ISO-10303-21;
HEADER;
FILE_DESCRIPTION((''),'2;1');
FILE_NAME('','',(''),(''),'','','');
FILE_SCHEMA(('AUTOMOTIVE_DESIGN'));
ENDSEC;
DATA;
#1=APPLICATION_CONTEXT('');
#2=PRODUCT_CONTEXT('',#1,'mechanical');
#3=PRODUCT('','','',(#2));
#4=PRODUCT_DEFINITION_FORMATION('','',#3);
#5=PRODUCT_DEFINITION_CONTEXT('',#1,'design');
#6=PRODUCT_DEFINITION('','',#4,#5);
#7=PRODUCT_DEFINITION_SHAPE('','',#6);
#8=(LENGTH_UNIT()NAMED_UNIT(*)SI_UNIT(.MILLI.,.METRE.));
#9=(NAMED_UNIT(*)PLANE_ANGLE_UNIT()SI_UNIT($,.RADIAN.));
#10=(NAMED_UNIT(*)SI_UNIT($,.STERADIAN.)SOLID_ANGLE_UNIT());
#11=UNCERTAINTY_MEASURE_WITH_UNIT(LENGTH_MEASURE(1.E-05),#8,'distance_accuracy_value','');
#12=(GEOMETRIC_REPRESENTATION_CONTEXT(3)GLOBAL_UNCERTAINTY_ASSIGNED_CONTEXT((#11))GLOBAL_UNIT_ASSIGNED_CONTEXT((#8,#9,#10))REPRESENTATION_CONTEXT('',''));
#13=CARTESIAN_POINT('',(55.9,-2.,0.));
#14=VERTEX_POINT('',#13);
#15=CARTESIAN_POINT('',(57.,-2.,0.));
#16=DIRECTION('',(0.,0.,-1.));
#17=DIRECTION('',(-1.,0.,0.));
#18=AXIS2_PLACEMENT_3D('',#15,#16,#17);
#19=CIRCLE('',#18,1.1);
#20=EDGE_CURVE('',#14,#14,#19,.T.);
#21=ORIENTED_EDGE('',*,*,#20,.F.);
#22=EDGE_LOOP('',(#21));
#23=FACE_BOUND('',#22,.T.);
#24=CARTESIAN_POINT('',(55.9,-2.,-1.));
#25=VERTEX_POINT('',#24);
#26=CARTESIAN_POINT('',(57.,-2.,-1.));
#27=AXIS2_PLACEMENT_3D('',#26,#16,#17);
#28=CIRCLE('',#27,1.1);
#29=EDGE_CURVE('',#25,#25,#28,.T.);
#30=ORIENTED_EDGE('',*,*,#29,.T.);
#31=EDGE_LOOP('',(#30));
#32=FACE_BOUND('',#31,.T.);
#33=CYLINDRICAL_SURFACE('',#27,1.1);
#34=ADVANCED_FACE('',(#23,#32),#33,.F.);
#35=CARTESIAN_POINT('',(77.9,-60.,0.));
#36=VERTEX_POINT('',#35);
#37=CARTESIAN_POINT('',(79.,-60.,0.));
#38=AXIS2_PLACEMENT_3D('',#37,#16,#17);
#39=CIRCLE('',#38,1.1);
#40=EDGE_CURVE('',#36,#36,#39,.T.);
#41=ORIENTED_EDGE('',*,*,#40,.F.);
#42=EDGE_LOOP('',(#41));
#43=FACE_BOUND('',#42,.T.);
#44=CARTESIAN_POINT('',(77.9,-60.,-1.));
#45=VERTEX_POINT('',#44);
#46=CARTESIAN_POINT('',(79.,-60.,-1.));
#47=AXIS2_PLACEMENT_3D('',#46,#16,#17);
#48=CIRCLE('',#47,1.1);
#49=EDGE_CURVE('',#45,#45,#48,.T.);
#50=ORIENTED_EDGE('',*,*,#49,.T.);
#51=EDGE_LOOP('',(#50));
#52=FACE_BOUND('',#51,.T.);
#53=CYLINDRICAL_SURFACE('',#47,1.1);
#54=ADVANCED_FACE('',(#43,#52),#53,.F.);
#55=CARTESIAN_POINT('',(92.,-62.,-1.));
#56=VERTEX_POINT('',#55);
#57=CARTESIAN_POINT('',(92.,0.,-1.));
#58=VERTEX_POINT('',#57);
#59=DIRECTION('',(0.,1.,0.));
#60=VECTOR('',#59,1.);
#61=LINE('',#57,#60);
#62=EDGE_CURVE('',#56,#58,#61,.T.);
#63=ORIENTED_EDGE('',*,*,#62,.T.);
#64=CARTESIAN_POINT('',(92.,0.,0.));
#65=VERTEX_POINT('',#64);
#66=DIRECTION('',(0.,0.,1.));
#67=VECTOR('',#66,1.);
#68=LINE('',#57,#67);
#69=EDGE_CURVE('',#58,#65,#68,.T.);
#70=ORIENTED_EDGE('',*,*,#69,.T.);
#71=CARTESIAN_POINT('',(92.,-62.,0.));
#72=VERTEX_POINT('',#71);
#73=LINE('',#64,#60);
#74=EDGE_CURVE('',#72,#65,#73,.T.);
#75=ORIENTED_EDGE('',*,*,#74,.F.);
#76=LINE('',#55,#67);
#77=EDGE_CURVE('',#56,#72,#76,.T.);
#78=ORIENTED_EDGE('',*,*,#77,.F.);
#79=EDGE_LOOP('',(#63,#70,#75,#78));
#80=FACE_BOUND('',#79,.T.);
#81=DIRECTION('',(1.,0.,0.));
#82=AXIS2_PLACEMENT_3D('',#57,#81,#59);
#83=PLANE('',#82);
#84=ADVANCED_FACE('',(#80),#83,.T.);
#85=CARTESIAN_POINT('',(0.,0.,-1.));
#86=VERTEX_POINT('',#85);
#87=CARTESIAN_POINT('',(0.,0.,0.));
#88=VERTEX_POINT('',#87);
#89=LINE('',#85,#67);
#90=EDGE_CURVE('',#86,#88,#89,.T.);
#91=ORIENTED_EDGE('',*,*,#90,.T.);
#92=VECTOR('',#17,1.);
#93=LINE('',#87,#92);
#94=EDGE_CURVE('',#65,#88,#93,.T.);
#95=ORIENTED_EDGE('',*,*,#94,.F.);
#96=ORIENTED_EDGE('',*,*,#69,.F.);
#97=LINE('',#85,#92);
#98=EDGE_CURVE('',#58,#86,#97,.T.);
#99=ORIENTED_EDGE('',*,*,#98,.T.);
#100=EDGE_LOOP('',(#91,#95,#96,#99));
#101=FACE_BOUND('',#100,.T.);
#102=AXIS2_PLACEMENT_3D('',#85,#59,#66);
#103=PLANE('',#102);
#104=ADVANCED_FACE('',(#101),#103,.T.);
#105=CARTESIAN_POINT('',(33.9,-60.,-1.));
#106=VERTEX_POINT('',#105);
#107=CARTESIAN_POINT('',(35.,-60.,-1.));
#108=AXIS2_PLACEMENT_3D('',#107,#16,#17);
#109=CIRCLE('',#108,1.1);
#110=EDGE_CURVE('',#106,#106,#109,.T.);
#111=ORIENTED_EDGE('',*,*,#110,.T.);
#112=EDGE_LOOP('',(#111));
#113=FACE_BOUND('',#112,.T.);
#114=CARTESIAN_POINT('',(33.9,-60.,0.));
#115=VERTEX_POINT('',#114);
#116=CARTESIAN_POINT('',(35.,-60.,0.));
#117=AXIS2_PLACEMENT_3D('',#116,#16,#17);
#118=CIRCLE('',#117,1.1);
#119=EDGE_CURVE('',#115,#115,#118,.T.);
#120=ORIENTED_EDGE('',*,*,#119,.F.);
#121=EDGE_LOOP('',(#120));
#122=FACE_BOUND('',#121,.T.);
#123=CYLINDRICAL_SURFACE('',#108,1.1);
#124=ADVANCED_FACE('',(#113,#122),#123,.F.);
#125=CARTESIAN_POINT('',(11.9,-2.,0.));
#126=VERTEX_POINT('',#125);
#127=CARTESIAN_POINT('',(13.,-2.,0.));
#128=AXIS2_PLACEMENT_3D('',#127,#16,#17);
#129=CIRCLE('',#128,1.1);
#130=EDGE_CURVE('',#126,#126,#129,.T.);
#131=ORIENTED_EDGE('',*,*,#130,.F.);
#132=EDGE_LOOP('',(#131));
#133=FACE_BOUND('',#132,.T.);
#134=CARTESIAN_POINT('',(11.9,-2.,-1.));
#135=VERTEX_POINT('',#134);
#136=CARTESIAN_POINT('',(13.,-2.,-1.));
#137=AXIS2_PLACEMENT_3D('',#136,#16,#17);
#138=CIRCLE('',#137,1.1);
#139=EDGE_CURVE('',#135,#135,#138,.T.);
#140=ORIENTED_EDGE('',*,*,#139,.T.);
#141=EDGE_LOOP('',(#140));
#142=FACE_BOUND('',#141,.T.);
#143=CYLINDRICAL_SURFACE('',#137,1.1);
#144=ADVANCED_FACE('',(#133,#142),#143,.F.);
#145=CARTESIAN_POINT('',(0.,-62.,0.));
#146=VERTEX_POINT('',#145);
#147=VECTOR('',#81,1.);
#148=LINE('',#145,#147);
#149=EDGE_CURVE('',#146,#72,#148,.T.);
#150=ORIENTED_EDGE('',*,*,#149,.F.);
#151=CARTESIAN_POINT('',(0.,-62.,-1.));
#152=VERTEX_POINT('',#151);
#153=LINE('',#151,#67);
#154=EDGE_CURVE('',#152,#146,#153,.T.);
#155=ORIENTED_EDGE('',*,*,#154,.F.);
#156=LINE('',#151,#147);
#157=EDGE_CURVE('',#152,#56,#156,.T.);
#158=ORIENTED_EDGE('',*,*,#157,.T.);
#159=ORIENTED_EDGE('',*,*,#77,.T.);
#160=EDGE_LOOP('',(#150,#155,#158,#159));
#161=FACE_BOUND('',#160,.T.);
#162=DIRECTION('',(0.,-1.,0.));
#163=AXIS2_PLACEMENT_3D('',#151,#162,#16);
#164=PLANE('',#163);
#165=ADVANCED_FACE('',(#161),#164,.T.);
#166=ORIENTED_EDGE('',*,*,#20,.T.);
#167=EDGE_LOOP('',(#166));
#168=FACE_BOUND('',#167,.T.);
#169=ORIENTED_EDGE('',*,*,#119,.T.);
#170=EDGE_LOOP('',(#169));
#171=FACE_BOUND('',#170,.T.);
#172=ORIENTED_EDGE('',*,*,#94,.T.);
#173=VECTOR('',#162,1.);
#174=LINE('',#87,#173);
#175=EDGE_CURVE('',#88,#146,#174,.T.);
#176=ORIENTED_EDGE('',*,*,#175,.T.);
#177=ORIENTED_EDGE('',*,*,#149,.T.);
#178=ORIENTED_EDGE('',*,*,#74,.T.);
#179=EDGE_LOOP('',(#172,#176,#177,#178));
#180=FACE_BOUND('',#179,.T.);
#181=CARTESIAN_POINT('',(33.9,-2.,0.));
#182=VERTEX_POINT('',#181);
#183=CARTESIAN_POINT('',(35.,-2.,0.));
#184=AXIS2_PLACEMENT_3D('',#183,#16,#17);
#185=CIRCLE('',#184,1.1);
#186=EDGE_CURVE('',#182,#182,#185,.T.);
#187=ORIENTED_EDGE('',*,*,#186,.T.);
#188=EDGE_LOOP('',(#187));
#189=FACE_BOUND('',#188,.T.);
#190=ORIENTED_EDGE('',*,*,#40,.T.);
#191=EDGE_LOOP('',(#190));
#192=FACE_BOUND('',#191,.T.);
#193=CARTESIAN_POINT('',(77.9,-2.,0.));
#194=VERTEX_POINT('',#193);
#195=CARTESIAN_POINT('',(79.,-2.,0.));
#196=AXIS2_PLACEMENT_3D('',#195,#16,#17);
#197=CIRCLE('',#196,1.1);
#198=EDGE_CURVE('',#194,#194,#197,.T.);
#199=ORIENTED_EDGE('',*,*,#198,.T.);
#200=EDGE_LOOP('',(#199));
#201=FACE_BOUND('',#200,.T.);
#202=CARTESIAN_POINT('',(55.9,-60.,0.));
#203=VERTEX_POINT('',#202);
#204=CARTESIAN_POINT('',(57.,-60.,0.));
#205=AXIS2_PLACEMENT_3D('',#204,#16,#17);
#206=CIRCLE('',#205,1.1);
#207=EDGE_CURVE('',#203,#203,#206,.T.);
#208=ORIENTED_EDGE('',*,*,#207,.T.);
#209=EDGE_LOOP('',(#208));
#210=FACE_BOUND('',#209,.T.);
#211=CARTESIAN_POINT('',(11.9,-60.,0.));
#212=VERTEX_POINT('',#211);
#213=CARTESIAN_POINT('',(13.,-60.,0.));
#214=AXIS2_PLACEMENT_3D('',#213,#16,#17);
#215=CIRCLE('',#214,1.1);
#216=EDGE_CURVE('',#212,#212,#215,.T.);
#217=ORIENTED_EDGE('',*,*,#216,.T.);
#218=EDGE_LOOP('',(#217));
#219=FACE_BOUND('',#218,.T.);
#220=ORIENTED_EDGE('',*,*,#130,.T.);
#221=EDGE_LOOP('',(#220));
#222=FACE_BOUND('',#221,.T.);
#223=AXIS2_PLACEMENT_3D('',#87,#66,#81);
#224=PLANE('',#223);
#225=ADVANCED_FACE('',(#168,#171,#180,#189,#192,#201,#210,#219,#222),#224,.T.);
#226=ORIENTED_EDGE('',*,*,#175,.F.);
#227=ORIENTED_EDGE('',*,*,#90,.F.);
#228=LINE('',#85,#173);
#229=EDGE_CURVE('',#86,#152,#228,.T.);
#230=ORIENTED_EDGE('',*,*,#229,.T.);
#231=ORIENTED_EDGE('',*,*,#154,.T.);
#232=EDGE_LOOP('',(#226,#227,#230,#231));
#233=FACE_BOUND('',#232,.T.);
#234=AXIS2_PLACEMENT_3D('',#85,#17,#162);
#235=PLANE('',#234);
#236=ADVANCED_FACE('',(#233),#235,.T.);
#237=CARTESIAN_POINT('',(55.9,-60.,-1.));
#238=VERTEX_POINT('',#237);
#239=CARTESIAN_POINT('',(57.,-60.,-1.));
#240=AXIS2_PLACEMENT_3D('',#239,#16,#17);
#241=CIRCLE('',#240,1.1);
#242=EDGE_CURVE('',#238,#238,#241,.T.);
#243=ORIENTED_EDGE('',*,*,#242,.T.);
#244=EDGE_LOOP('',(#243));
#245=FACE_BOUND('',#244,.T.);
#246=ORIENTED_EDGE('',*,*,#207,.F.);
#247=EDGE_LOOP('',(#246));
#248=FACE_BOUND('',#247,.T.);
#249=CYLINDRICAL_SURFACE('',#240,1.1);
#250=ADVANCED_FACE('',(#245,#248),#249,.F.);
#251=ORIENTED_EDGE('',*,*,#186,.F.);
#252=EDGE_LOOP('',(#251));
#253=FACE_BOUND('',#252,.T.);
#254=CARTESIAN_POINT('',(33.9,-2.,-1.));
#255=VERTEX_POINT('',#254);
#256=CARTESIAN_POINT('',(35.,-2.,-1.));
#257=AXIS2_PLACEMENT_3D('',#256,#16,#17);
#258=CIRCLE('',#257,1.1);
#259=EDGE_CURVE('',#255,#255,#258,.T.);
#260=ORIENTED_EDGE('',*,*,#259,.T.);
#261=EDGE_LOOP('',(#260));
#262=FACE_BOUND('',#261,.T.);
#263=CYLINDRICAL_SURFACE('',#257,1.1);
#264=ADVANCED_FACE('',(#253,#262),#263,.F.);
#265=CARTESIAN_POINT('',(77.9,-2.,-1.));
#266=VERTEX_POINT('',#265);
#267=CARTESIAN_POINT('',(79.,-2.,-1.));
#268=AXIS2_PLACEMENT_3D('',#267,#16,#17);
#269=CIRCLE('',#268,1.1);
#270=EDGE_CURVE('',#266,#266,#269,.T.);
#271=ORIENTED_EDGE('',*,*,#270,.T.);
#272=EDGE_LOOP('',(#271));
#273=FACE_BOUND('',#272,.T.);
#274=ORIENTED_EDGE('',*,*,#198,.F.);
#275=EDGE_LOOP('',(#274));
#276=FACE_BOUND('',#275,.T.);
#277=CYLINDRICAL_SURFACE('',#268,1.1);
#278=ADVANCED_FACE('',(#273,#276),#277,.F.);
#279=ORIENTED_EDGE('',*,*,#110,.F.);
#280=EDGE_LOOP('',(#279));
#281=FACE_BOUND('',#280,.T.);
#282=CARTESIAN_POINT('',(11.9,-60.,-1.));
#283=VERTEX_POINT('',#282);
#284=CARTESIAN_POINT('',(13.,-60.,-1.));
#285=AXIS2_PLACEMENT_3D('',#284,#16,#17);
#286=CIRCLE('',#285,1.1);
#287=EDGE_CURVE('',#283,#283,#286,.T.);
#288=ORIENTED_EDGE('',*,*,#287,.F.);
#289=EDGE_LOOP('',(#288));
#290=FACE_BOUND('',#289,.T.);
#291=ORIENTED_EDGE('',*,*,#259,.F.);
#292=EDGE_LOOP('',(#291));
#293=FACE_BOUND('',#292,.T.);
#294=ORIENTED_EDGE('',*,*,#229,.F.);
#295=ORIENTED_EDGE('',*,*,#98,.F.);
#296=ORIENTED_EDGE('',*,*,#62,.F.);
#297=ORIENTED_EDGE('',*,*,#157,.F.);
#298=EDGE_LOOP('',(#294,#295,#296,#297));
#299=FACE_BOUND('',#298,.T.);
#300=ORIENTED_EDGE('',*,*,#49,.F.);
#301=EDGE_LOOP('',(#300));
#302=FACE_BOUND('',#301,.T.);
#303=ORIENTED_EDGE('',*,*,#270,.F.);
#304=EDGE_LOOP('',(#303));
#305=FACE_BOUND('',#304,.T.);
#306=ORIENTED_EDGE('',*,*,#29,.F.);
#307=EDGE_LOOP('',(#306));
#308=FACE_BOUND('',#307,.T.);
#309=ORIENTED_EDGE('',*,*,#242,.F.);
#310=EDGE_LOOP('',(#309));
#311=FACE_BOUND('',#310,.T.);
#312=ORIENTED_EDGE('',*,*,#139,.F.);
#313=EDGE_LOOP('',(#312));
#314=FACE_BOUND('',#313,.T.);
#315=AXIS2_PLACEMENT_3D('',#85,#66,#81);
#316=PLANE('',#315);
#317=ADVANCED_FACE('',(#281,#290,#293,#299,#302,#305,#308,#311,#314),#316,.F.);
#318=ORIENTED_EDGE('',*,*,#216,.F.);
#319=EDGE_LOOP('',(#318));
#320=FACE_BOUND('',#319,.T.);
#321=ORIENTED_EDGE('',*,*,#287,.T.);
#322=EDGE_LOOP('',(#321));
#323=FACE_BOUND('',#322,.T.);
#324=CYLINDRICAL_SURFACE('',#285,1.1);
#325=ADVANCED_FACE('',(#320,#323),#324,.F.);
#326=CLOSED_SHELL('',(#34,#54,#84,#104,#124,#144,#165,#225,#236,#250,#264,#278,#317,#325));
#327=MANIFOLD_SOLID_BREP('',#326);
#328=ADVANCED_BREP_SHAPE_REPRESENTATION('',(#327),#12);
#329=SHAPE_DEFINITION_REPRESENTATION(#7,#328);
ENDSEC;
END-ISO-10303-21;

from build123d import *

# Parameters (mm, degrees)
SKETCH1_W                  = 92
SKETCH1_H                  = 62
BOSS_EXTRUDE1_DEPTH        = 1
F_2_2_2_2_DIAMETER_HOLE2_D = 2.2


with BuildPart() as part:
    # Sketch1 → Boss-Extrude1 (new body)
    with BuildSketch(Plane.XY):
        with Locations((46, -31)):
            Rectangle(SKETCH1_W, SKETCH1_H)
    extrude(amount=-BOSS_EXTRUDE1_DEPTH)

    # Ø2.2 (2.2) Diameter Hole2 (through all)
    with Locations(Plane(origin=(0, 0, -1), x_dir=(-1, 0, 0), z_dir=(0, 0, -1))):
        with Locations((-79, -2), (-57, -2), (-35, -2), (-13, -2), (-13, -60), (-35, -60), (-57, -60), (-79, -60)):
            Hole(F_2_2_2_2_DIAMETER_HOLE2_D / 2)


solid = part.part
